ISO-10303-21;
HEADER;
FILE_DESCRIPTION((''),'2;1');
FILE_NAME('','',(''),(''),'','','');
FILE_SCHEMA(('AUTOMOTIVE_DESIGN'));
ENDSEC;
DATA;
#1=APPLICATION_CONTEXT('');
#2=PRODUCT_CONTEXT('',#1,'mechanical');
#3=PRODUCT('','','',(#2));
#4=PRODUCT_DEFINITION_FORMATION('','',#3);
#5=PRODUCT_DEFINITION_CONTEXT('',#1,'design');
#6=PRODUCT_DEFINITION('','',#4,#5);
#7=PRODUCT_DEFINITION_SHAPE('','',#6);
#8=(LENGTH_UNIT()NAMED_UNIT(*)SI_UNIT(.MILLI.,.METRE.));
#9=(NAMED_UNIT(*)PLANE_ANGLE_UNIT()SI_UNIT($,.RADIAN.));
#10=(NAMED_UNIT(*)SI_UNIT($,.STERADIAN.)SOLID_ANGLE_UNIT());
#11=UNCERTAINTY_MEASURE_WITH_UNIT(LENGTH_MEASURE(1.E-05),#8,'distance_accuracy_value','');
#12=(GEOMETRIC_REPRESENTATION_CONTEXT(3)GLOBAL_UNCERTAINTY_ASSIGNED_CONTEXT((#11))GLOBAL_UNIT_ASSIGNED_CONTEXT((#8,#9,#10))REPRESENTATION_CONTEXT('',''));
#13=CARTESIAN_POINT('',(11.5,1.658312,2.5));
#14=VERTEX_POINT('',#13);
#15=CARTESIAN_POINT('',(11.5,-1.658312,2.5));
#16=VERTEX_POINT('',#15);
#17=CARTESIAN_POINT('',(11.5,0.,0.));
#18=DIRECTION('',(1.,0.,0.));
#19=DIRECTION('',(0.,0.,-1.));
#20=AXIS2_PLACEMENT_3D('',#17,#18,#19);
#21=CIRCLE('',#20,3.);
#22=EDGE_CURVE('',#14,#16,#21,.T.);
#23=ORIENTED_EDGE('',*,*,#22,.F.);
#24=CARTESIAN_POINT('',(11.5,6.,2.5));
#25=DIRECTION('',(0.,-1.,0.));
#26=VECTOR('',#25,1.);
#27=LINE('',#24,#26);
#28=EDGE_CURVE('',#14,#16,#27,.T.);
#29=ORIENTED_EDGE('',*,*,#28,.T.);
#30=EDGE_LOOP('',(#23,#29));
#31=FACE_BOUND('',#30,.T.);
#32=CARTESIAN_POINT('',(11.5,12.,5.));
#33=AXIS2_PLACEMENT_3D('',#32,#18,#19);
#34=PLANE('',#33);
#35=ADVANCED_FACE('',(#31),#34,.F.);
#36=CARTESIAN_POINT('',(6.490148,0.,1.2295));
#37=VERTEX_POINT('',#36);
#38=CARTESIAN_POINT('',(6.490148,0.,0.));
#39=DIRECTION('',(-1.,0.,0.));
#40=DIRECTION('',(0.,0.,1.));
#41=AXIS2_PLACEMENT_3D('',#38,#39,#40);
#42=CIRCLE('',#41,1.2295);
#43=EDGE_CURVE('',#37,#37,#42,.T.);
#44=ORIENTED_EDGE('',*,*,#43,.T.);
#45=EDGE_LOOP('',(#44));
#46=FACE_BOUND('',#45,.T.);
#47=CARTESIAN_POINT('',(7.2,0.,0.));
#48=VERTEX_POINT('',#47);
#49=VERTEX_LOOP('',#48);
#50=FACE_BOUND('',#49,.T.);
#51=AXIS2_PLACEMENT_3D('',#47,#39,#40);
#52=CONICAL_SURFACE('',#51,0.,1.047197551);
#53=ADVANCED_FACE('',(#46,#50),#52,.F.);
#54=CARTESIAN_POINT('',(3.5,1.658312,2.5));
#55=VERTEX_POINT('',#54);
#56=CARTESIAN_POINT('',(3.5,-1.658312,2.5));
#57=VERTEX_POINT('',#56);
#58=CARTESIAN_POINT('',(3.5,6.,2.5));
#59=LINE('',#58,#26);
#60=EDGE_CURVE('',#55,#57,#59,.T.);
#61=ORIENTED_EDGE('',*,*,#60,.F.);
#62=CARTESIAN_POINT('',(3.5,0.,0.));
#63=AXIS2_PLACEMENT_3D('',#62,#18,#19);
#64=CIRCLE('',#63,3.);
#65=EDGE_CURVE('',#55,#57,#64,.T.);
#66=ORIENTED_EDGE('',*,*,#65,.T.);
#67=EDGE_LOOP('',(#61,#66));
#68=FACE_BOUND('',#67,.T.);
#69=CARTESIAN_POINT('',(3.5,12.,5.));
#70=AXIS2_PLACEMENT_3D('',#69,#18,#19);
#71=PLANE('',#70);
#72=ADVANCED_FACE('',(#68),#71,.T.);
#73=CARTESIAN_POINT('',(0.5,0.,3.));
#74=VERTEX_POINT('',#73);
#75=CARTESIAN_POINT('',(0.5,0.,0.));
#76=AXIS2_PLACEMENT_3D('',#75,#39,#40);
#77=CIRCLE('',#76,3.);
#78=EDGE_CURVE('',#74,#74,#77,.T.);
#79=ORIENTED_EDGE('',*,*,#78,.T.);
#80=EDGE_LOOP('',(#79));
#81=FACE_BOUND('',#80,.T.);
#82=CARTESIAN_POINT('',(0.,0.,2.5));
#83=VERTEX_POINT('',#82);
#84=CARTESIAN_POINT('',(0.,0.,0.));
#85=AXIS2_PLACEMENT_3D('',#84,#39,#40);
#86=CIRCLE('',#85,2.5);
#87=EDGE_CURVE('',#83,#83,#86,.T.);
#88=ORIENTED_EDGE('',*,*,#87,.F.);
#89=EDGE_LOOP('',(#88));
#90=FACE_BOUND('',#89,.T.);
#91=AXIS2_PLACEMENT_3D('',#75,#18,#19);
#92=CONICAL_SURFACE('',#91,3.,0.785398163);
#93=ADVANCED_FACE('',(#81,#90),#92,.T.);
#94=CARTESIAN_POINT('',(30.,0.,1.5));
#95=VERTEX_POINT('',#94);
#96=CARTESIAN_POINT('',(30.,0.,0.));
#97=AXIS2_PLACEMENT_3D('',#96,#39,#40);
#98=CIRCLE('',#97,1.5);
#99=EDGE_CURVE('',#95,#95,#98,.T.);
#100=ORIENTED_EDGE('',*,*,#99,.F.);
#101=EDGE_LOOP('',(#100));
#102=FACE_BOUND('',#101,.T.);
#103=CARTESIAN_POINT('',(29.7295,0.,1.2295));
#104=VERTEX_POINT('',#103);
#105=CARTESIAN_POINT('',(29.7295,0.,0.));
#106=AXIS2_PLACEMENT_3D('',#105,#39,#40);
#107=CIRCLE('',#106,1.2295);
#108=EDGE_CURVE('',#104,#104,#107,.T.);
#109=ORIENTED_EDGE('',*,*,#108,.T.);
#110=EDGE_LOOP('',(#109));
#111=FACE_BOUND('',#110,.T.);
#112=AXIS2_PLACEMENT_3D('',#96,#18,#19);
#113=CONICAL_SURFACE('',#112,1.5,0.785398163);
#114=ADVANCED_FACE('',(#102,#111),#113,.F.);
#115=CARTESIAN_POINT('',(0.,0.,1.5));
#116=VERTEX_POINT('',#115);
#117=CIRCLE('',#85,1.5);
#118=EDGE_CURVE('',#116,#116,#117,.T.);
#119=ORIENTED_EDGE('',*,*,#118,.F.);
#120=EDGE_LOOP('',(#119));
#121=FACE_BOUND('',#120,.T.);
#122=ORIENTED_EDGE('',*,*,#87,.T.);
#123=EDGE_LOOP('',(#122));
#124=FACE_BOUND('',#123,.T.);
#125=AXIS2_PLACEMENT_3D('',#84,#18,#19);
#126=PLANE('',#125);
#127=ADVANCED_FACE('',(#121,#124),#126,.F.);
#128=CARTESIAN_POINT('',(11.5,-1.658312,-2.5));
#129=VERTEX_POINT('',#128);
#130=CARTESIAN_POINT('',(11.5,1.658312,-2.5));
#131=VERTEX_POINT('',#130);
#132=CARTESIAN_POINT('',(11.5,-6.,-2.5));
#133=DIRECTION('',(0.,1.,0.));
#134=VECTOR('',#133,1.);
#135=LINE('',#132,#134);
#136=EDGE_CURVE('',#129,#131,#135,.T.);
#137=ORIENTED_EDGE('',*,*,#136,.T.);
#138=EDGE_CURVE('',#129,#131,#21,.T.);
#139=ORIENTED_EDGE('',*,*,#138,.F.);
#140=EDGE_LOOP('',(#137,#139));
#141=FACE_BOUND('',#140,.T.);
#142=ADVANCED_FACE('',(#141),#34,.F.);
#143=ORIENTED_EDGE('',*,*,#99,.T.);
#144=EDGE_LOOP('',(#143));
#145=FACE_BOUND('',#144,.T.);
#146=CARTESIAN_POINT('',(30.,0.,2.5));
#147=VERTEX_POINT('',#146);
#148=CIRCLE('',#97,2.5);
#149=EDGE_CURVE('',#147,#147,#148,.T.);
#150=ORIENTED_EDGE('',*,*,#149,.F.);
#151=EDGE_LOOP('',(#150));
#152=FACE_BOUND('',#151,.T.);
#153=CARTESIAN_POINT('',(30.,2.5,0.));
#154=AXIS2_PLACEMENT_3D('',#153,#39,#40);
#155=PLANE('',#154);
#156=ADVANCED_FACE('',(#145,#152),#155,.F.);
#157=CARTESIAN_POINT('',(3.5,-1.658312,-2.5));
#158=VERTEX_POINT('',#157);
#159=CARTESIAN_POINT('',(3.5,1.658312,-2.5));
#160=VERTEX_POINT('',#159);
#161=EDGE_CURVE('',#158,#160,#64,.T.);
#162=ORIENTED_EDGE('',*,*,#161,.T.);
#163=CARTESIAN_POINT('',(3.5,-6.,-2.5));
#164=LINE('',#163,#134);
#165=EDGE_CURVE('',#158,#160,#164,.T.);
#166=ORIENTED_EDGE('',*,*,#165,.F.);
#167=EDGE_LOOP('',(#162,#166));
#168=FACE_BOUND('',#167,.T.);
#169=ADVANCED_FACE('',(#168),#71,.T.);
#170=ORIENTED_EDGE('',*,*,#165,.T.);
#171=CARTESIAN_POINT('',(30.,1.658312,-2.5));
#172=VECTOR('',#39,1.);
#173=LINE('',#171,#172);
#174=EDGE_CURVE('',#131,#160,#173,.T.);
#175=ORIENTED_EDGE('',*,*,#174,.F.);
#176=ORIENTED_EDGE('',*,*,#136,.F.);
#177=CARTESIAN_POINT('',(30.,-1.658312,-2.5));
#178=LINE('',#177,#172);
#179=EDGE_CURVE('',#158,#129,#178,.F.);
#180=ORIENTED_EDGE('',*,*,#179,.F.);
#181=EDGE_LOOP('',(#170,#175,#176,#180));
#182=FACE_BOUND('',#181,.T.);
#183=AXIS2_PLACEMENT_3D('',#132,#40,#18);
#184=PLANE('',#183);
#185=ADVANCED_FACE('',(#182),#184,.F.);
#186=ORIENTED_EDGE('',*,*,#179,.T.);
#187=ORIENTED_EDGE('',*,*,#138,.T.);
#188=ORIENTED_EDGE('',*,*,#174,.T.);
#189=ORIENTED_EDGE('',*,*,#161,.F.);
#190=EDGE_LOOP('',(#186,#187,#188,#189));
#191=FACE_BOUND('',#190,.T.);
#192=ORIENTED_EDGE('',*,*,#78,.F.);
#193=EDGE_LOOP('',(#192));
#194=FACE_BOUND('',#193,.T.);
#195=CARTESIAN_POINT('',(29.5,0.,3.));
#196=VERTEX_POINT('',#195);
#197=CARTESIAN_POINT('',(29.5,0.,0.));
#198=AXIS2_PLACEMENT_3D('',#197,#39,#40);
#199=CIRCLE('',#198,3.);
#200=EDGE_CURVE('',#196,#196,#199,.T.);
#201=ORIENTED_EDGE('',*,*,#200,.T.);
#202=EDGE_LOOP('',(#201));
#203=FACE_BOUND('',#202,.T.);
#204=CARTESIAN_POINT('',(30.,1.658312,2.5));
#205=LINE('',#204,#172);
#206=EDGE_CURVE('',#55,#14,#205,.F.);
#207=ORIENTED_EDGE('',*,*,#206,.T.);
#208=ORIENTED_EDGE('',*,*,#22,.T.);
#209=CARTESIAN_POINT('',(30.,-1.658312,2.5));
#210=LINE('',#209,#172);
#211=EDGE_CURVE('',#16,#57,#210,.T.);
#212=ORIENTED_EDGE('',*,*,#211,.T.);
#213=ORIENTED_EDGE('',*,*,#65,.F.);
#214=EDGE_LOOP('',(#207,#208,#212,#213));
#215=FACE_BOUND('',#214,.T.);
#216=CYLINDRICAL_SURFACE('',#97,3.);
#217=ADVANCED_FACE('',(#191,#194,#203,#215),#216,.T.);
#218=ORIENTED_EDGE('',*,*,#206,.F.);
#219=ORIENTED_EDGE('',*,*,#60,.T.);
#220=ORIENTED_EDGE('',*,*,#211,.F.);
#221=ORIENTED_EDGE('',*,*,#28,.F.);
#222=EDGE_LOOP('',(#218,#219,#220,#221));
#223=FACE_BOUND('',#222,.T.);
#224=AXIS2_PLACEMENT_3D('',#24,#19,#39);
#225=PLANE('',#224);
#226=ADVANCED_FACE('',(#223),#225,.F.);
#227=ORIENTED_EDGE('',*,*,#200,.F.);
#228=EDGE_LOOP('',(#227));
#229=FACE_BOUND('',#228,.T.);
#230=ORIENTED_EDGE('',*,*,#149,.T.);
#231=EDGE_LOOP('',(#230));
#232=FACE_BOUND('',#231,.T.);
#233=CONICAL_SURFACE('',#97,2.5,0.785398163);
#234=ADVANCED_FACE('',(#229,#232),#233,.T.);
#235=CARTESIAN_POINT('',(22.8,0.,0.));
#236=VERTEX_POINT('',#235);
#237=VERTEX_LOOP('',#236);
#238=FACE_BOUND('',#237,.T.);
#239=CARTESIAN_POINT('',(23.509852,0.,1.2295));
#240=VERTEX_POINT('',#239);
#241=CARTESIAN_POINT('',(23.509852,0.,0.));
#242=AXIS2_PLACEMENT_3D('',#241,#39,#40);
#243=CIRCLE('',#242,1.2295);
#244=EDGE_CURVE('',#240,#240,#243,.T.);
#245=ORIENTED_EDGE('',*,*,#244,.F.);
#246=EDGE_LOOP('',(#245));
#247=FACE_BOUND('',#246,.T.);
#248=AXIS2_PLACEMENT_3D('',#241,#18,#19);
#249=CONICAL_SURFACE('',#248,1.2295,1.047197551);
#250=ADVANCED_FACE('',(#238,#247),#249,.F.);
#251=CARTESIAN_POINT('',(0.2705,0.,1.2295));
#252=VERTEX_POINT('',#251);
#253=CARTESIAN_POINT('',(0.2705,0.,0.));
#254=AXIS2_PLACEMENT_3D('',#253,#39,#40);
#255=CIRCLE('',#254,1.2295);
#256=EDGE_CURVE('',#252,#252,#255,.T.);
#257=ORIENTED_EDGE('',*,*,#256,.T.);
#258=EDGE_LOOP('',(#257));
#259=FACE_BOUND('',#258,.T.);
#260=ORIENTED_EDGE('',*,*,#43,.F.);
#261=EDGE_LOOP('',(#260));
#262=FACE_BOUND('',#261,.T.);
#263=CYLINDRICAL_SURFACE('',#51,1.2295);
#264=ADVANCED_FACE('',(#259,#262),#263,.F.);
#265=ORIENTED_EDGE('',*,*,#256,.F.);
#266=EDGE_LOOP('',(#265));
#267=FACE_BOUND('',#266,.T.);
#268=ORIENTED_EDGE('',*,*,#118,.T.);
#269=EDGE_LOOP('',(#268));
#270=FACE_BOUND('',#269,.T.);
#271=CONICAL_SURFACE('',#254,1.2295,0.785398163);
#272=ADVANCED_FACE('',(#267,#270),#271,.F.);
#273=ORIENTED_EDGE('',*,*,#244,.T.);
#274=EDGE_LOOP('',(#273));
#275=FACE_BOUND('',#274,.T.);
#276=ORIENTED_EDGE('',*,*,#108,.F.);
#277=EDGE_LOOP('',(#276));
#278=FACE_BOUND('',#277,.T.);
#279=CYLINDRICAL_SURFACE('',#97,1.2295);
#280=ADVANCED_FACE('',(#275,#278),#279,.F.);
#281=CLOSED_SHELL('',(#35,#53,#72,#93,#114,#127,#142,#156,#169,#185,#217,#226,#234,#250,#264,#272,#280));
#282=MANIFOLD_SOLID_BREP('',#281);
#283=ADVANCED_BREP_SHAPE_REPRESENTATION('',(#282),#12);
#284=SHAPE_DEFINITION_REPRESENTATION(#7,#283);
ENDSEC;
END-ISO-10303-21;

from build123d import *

# Parameters (mm, degrees)
SKETCH4_W          = 10
SKETCH4_H          = 24
SKETCH4_W_2        = 5
SKETCH4_H_2        = 12
CUT_EXTRUDE1_DEPTH = 8


with BuildPart() as part:
    # Sketch1 → Revolve1 (revolve)
    with BuildSketch(Plane.XY, mode=Mode.PRIVATE) as revolve1_sk:
        Polygon((0, 0), (0, 2.5), (0.5, 3), (29.5, 3), (30, 2.5), (30, 0), align=None)
    revolve(revolve1_sk.sketch.rotate(Axis((30, 0, 0), (-1, 0, 0)), 270), axis=Axis((30, 0, 0), (-1, 0, 0)))

    # Sketch2 → Cut-Revolve1 (revolve, cut)
    with BuildSketch(Plane.XY, mode=Mode.PRIVATE) as cut_revolve1_sk:
        Polygon((0, 0), (0, 1.5), (0.2705, 1.2295), (6.490147844, 1.2295), (7.2, 0), align=None)
    revolve(cut_revolve1_sk.sketch.rotate(Axis((7.2, 0, 0), (-1, 0, 0)), 270), axis=Axis((7.2, 0, 0), (-1, 0, 0)), mode=Mode.SUBTRACT)

    # Sketch3 → Cut-Revolve2 (revolve, cut)
    with BuildSketch(Plane.XY, mode=Mode.PRIVATE) as cut_revolve2_sk:
        Polygon((22.8, 0), (23.509852156, 1.2295), (29.7295, 1.2295), (30, 1.5), (30, 0), align=None)
    revolve(cut_revolve2_sk.sketch.rotate(Axis((30, 0, 0), (-1, 0, 0)), 270), axis=Axis((30, 0, 0), (-1, 0, 0)), mode=Mode.SUBTRACT)

    # Sketch4 → Cut-Extrude1 (cut)
    with BuildSketch(Plane(origin=(3.5, 0, 0), x_dir=(0, 0, -1), z_dir=(1, 0, 0))):
        Rectangle(SKETCH4_W, SKETCH4_H)
        Rectangle(SKETCH4_W_2, SKETCH4_H_2, mode=Mode.SUBTRACT)
    extrude(amount=CUT_EXTRUDE1_DEPTH, mode=Mode.SUBTRACT)


solid = part.part
